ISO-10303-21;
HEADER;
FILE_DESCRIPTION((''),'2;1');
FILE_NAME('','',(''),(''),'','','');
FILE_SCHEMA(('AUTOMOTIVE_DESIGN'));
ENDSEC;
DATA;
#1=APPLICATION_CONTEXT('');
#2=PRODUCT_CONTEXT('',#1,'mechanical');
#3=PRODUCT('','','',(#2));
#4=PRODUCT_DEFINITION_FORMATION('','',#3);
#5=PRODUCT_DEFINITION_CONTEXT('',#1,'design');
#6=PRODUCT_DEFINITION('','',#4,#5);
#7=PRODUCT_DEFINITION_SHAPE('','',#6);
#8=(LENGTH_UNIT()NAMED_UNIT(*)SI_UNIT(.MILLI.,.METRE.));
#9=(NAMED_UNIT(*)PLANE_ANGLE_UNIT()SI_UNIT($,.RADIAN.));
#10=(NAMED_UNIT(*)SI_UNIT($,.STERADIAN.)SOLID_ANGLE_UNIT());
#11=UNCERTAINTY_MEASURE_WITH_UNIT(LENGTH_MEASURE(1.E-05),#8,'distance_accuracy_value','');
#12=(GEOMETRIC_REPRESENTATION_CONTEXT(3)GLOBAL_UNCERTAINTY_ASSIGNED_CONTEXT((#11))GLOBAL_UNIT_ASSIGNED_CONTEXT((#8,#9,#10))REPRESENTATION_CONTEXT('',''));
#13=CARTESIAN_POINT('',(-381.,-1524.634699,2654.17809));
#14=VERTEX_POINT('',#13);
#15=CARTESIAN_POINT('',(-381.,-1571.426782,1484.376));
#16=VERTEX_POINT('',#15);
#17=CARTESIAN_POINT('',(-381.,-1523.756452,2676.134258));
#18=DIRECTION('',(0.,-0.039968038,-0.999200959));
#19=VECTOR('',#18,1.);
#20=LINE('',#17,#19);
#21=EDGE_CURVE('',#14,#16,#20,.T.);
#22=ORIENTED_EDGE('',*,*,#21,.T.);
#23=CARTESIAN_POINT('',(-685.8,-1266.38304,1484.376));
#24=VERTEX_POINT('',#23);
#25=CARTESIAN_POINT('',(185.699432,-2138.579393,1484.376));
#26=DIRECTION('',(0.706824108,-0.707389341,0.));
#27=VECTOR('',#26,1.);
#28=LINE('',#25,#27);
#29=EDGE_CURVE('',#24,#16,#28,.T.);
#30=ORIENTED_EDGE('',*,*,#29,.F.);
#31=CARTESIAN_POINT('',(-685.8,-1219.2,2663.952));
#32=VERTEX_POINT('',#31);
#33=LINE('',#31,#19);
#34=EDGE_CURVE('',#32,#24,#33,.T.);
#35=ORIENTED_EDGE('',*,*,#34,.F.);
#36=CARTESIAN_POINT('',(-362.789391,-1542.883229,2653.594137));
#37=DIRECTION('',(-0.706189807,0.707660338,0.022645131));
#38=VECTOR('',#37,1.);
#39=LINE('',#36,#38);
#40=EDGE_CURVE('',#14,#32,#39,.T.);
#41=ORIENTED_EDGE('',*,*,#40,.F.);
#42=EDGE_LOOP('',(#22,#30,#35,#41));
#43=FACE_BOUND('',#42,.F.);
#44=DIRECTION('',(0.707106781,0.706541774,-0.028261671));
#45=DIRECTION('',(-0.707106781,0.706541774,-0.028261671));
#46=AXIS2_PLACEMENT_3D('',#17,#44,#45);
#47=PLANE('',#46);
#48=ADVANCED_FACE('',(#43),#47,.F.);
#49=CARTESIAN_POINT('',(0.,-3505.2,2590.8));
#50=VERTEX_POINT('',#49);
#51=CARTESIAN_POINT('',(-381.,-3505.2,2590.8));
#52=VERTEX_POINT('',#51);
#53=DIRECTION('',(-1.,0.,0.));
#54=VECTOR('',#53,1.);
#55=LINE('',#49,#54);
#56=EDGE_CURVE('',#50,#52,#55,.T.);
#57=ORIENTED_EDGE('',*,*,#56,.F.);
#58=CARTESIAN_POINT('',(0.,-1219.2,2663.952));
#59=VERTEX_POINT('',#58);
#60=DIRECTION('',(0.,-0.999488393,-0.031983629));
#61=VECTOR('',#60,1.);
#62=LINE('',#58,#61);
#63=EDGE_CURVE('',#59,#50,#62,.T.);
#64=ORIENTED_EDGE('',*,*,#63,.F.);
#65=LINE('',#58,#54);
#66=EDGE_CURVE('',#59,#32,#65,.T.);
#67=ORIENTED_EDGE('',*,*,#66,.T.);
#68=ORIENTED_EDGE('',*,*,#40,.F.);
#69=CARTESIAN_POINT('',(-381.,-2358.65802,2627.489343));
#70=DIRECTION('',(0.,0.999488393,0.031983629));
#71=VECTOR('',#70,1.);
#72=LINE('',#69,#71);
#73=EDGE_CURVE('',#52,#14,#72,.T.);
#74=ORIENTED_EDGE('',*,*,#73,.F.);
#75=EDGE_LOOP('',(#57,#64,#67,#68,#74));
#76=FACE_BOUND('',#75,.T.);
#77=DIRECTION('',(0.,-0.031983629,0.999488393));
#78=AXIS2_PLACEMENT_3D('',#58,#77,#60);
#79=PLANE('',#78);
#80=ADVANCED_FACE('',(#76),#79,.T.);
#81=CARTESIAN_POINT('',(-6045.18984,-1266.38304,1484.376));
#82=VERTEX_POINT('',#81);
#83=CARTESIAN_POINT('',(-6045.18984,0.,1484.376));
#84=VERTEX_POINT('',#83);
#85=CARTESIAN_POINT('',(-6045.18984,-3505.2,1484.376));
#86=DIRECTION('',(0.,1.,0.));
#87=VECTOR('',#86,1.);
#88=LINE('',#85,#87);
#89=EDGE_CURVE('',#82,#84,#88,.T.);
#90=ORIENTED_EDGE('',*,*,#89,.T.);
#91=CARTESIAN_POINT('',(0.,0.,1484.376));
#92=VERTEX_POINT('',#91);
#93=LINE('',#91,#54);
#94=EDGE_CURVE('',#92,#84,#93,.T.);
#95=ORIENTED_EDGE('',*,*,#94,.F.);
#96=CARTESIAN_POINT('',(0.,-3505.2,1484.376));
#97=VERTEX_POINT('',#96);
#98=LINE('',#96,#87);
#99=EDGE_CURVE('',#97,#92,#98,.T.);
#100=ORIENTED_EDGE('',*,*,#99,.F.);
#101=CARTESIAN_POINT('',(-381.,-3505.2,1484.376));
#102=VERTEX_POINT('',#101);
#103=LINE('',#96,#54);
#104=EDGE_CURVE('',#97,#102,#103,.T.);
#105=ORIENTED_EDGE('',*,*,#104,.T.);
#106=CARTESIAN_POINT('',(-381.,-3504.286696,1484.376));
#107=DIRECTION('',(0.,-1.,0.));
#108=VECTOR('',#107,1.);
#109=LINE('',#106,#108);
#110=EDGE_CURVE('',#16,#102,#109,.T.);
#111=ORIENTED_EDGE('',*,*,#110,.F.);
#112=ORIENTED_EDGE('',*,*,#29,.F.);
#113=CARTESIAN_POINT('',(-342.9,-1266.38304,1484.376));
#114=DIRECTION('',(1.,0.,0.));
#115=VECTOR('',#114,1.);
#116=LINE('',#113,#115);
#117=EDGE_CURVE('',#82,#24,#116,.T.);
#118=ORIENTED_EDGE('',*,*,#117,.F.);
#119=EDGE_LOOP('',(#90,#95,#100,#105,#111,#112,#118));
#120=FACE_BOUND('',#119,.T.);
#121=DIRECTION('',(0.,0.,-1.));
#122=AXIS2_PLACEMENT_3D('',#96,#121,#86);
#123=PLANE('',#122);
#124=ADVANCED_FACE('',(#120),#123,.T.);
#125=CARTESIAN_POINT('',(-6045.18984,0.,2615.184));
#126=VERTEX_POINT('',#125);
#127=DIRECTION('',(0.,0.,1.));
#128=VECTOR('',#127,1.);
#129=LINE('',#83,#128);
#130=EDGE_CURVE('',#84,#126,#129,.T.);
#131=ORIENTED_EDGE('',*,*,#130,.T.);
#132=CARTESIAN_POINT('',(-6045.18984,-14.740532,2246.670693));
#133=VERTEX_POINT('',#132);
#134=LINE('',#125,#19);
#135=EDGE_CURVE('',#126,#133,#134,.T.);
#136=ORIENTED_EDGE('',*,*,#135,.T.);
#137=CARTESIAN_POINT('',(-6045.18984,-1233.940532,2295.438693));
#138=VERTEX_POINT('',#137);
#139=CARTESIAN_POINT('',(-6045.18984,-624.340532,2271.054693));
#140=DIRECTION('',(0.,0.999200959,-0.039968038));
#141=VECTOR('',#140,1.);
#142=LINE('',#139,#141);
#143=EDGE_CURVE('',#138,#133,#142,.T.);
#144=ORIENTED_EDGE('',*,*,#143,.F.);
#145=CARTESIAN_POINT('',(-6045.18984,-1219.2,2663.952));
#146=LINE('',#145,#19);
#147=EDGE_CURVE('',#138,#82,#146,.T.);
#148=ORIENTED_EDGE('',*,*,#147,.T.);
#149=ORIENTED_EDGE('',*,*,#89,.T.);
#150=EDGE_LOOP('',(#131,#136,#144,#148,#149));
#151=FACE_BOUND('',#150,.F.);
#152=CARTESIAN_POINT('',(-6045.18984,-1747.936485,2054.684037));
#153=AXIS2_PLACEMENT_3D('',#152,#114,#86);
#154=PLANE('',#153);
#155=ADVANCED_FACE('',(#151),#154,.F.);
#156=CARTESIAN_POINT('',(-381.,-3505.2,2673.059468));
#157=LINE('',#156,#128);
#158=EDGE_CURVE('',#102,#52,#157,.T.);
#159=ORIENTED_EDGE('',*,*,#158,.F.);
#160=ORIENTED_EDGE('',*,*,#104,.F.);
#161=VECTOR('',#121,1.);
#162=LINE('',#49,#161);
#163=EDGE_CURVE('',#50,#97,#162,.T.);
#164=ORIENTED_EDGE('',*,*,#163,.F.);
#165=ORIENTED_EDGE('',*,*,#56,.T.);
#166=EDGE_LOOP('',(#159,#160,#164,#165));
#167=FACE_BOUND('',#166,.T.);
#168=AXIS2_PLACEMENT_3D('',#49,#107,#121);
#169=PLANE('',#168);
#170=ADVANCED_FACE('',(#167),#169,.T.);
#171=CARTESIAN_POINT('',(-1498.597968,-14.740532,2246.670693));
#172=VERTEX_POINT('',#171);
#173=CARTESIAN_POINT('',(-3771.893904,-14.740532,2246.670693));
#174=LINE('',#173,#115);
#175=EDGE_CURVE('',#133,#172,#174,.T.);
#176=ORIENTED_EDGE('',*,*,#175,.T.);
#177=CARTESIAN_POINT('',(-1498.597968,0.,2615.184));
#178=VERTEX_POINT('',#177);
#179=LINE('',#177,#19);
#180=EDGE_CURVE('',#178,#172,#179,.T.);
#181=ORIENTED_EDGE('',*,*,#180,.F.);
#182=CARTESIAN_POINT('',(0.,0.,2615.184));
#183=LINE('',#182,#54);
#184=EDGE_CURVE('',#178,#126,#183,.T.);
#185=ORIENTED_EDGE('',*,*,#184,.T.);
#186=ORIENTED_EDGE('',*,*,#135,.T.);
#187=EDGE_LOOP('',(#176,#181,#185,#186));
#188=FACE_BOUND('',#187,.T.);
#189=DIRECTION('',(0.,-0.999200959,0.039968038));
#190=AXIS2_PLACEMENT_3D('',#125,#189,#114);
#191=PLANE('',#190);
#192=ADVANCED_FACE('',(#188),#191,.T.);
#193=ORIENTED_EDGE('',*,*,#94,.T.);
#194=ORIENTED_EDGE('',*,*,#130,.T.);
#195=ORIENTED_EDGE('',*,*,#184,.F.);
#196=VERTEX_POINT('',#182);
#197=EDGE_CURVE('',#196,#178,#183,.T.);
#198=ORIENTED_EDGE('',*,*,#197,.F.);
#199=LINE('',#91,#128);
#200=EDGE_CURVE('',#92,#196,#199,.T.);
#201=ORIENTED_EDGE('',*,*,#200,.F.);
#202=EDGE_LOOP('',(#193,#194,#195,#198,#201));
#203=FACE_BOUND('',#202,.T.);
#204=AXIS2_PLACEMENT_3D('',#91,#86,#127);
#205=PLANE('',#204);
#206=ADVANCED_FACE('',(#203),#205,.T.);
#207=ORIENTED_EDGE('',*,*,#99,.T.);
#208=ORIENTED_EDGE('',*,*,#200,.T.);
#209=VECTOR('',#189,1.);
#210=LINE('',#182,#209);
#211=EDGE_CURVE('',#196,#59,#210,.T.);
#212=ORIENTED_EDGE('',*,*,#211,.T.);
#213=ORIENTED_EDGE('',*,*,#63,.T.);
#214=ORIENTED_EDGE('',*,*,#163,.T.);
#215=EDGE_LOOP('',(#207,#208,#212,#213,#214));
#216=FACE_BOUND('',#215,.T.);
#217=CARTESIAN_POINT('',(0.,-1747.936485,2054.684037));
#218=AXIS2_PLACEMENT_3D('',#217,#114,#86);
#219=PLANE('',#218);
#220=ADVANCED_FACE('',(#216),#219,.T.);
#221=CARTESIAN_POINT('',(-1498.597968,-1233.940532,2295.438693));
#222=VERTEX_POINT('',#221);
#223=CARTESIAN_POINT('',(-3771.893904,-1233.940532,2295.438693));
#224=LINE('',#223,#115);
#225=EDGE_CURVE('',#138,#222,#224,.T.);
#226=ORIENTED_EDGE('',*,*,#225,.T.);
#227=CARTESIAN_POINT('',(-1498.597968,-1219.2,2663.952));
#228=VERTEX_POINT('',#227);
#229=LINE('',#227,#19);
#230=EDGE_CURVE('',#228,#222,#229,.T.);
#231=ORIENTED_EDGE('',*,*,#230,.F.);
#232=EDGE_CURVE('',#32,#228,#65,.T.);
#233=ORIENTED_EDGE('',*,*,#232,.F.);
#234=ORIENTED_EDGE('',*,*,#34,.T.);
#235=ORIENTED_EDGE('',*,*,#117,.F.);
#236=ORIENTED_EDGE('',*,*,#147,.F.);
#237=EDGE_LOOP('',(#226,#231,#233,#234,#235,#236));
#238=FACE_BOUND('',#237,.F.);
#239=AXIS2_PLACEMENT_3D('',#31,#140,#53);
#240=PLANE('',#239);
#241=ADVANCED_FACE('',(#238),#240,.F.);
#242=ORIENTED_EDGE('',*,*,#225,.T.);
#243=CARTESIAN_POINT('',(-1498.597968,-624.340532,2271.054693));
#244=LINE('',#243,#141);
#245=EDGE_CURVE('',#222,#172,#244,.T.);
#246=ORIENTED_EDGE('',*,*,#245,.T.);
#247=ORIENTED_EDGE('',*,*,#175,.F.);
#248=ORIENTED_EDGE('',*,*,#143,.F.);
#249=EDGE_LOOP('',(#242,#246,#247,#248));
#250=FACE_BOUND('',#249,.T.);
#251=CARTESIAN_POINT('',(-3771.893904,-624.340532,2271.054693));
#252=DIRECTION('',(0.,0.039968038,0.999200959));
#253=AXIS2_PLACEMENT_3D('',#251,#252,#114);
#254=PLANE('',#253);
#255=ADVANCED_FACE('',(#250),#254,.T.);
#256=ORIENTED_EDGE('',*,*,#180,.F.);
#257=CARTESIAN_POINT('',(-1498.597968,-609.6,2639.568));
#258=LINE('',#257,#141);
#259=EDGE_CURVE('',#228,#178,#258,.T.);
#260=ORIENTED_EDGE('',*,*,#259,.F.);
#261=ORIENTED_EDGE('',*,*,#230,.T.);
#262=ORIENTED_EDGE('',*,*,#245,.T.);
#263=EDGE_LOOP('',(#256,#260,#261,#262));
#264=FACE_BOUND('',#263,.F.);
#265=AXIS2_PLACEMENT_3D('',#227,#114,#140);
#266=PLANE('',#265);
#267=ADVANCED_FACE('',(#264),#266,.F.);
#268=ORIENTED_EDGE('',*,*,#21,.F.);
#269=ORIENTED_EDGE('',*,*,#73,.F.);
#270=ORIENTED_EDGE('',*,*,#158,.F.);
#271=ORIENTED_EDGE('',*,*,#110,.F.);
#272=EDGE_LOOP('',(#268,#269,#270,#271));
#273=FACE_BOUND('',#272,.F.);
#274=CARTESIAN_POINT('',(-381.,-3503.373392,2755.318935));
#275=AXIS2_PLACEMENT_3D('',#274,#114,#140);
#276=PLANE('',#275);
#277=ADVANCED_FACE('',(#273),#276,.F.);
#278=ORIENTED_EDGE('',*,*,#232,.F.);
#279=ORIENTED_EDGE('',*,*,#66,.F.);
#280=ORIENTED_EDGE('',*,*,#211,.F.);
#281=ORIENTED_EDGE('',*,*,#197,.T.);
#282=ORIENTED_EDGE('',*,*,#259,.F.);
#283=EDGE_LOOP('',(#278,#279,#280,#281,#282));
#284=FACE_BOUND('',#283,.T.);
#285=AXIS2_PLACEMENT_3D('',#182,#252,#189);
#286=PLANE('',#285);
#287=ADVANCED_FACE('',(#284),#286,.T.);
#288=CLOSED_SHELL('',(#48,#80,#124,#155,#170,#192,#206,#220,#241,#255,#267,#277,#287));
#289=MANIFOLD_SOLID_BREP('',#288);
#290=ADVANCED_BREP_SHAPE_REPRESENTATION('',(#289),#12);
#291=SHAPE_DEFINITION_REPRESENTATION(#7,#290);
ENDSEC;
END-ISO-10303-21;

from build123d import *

# Parameters (mm, degrees)
F2_DEPTH = 6045.18984
F4_DEPTH = 1270.0014057507
F5_W     = 4546.591872
F5_H     = 1220.1749701678
F6_DEPTH = 368.808


with BuildPart() as f2:
    # F0 (on Right) → F2 (new body)
    with BuildSketch(Plane.YZ):
        Polygon((-3505.2, 1484.376), (0, 1484.376), (0, 2615.184), (-1219.2, 2663.952), (-3505.2, 2590.8), align=None)
    extrude(amount=-F2_DEPTH)

    # F3 (on face) → F4 (cut, through all)
    with BuildSketch(Plane(origin=(0, 104.4402555911, 2611.0063897764), x_dir=(1, 0, 0), z_dir=(0, 0.0399680383, 0.9992009587))):
        Polygon((-685.8, -1324.6987445692), (-6045.18984, -1324.6987445692), (-6045.18984, -3610.6987445692), (-381, -3610.6987445692), (-381, -1629.4987445692), align=None)
    extrude(amount=-F4_DEPTH, mode=Mode.SUBTRACT)

    # F5 (on face) → F6 (cut)
    with BuildSketch(Plane(origin=(0, 104.4402555911, 2611.0063897764), x_dir=(1, 0, 0), z_dir=(0, 0.0399680383, 0.9992009587))):
        with Locations((-3771.893904, -714.6112594853)):
            Rectangle(F5_W, F5_H)
    extrude(amount=-F6_DEPTH, mode=Mode.SUBTRACT)


solid = f2.part
